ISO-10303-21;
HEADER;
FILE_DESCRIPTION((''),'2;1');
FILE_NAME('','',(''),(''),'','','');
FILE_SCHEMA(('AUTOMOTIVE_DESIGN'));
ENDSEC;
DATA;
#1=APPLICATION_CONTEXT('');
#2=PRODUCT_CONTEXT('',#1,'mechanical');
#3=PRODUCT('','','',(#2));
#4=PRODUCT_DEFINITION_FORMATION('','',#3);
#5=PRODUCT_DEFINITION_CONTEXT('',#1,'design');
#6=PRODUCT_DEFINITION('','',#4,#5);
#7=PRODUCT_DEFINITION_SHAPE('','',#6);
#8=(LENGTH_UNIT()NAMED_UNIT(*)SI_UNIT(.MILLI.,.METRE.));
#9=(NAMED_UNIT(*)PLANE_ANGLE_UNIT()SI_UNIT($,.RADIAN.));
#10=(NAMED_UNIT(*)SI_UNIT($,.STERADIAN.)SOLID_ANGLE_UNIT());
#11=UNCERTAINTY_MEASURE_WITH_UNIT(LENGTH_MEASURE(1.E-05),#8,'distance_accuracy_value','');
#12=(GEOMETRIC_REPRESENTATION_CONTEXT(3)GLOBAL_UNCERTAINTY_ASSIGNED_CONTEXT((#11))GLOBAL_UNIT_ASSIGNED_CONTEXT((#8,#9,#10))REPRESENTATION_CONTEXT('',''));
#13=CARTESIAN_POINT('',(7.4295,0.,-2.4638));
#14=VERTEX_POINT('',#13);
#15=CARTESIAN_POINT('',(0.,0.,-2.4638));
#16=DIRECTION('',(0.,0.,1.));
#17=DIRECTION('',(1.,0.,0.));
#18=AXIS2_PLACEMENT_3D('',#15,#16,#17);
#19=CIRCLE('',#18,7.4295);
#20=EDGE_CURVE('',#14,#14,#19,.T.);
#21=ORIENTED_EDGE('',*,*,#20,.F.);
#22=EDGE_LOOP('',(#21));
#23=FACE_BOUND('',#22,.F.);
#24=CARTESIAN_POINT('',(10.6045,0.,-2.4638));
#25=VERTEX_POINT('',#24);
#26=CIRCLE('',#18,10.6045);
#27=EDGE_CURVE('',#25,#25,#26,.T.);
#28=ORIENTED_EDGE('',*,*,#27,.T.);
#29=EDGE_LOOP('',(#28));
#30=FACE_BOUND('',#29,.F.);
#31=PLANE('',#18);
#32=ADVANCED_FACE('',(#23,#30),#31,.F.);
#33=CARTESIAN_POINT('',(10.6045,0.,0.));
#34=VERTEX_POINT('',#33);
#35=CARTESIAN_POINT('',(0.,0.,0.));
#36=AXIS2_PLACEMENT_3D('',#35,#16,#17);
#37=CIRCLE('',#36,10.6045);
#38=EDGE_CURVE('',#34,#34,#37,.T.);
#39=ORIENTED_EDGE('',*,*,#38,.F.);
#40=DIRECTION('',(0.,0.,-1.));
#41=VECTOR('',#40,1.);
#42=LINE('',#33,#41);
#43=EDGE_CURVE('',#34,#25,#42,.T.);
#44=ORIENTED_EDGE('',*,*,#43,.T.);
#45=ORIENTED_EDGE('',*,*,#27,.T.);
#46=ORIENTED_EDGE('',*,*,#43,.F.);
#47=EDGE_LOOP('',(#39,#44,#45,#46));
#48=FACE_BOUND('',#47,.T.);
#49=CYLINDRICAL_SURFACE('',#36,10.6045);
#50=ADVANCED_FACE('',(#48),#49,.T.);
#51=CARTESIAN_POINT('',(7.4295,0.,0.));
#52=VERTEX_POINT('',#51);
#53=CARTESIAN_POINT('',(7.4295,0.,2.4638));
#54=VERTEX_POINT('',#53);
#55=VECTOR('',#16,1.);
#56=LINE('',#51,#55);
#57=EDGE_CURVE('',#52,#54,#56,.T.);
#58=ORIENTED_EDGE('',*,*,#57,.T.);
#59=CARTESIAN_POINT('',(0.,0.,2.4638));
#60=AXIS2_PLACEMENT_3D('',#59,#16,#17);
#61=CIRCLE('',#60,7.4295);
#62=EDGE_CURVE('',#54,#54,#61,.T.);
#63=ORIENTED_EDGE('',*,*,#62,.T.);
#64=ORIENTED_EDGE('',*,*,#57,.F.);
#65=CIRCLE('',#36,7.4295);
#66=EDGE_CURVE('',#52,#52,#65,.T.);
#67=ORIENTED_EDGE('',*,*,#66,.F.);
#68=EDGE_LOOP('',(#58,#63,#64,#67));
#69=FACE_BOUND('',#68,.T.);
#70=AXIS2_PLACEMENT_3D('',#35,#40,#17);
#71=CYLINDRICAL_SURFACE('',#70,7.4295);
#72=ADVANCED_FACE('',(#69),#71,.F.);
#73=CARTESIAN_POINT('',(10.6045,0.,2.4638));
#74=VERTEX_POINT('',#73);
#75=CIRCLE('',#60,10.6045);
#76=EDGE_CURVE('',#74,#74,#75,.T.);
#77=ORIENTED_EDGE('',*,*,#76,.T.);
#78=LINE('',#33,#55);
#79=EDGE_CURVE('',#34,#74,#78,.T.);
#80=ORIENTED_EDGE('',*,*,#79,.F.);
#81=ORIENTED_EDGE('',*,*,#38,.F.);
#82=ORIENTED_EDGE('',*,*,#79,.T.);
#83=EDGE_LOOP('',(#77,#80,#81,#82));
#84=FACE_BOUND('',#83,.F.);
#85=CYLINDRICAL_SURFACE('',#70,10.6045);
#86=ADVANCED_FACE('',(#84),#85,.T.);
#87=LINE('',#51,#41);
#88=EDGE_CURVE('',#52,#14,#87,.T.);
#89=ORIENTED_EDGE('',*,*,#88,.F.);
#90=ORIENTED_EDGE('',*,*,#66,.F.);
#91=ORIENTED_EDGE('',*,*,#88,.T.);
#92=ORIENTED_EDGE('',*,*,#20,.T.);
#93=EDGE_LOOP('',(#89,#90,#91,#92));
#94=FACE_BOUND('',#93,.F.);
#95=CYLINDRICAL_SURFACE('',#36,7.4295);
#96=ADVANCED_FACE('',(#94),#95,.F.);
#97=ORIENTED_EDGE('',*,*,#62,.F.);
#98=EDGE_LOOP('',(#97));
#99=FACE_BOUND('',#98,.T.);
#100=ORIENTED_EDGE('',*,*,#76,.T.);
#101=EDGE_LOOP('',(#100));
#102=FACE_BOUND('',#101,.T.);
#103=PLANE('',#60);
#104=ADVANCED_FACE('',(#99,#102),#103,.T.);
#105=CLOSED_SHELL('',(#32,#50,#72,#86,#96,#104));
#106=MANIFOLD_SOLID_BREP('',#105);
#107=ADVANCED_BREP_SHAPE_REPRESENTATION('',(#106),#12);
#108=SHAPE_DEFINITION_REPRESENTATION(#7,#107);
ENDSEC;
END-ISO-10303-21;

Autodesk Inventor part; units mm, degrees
ref_plane "YZ Plane" through (0, 0, 0) normal (1, 0, 0) x (0, 1, 0)
ref_plane "XZ Plane" through (0, 0, 0) normal (0, 1, 0) x (-1, 0, 0)
ref_plane "XY Plane" through (0, 0, 0) normal (0, 0, 1) x (1, 0, 0)
sketch "Sketch1" plane through (0, 0, 0) normal (0, 0, 1) x (1, 0, 0)
  circle A0 centre (0, 0) radius 7.4295
  circle A1 centre (0, 0) radius 10.6045
  dimension "d0" = 14.859
  dimension "d1" = 3.175
extrude "Extrusion1" add sketch "Sketch1" along normal mid plane 4.9276
properties part number "EL2-CGB-020" material "ABS Plastic"
